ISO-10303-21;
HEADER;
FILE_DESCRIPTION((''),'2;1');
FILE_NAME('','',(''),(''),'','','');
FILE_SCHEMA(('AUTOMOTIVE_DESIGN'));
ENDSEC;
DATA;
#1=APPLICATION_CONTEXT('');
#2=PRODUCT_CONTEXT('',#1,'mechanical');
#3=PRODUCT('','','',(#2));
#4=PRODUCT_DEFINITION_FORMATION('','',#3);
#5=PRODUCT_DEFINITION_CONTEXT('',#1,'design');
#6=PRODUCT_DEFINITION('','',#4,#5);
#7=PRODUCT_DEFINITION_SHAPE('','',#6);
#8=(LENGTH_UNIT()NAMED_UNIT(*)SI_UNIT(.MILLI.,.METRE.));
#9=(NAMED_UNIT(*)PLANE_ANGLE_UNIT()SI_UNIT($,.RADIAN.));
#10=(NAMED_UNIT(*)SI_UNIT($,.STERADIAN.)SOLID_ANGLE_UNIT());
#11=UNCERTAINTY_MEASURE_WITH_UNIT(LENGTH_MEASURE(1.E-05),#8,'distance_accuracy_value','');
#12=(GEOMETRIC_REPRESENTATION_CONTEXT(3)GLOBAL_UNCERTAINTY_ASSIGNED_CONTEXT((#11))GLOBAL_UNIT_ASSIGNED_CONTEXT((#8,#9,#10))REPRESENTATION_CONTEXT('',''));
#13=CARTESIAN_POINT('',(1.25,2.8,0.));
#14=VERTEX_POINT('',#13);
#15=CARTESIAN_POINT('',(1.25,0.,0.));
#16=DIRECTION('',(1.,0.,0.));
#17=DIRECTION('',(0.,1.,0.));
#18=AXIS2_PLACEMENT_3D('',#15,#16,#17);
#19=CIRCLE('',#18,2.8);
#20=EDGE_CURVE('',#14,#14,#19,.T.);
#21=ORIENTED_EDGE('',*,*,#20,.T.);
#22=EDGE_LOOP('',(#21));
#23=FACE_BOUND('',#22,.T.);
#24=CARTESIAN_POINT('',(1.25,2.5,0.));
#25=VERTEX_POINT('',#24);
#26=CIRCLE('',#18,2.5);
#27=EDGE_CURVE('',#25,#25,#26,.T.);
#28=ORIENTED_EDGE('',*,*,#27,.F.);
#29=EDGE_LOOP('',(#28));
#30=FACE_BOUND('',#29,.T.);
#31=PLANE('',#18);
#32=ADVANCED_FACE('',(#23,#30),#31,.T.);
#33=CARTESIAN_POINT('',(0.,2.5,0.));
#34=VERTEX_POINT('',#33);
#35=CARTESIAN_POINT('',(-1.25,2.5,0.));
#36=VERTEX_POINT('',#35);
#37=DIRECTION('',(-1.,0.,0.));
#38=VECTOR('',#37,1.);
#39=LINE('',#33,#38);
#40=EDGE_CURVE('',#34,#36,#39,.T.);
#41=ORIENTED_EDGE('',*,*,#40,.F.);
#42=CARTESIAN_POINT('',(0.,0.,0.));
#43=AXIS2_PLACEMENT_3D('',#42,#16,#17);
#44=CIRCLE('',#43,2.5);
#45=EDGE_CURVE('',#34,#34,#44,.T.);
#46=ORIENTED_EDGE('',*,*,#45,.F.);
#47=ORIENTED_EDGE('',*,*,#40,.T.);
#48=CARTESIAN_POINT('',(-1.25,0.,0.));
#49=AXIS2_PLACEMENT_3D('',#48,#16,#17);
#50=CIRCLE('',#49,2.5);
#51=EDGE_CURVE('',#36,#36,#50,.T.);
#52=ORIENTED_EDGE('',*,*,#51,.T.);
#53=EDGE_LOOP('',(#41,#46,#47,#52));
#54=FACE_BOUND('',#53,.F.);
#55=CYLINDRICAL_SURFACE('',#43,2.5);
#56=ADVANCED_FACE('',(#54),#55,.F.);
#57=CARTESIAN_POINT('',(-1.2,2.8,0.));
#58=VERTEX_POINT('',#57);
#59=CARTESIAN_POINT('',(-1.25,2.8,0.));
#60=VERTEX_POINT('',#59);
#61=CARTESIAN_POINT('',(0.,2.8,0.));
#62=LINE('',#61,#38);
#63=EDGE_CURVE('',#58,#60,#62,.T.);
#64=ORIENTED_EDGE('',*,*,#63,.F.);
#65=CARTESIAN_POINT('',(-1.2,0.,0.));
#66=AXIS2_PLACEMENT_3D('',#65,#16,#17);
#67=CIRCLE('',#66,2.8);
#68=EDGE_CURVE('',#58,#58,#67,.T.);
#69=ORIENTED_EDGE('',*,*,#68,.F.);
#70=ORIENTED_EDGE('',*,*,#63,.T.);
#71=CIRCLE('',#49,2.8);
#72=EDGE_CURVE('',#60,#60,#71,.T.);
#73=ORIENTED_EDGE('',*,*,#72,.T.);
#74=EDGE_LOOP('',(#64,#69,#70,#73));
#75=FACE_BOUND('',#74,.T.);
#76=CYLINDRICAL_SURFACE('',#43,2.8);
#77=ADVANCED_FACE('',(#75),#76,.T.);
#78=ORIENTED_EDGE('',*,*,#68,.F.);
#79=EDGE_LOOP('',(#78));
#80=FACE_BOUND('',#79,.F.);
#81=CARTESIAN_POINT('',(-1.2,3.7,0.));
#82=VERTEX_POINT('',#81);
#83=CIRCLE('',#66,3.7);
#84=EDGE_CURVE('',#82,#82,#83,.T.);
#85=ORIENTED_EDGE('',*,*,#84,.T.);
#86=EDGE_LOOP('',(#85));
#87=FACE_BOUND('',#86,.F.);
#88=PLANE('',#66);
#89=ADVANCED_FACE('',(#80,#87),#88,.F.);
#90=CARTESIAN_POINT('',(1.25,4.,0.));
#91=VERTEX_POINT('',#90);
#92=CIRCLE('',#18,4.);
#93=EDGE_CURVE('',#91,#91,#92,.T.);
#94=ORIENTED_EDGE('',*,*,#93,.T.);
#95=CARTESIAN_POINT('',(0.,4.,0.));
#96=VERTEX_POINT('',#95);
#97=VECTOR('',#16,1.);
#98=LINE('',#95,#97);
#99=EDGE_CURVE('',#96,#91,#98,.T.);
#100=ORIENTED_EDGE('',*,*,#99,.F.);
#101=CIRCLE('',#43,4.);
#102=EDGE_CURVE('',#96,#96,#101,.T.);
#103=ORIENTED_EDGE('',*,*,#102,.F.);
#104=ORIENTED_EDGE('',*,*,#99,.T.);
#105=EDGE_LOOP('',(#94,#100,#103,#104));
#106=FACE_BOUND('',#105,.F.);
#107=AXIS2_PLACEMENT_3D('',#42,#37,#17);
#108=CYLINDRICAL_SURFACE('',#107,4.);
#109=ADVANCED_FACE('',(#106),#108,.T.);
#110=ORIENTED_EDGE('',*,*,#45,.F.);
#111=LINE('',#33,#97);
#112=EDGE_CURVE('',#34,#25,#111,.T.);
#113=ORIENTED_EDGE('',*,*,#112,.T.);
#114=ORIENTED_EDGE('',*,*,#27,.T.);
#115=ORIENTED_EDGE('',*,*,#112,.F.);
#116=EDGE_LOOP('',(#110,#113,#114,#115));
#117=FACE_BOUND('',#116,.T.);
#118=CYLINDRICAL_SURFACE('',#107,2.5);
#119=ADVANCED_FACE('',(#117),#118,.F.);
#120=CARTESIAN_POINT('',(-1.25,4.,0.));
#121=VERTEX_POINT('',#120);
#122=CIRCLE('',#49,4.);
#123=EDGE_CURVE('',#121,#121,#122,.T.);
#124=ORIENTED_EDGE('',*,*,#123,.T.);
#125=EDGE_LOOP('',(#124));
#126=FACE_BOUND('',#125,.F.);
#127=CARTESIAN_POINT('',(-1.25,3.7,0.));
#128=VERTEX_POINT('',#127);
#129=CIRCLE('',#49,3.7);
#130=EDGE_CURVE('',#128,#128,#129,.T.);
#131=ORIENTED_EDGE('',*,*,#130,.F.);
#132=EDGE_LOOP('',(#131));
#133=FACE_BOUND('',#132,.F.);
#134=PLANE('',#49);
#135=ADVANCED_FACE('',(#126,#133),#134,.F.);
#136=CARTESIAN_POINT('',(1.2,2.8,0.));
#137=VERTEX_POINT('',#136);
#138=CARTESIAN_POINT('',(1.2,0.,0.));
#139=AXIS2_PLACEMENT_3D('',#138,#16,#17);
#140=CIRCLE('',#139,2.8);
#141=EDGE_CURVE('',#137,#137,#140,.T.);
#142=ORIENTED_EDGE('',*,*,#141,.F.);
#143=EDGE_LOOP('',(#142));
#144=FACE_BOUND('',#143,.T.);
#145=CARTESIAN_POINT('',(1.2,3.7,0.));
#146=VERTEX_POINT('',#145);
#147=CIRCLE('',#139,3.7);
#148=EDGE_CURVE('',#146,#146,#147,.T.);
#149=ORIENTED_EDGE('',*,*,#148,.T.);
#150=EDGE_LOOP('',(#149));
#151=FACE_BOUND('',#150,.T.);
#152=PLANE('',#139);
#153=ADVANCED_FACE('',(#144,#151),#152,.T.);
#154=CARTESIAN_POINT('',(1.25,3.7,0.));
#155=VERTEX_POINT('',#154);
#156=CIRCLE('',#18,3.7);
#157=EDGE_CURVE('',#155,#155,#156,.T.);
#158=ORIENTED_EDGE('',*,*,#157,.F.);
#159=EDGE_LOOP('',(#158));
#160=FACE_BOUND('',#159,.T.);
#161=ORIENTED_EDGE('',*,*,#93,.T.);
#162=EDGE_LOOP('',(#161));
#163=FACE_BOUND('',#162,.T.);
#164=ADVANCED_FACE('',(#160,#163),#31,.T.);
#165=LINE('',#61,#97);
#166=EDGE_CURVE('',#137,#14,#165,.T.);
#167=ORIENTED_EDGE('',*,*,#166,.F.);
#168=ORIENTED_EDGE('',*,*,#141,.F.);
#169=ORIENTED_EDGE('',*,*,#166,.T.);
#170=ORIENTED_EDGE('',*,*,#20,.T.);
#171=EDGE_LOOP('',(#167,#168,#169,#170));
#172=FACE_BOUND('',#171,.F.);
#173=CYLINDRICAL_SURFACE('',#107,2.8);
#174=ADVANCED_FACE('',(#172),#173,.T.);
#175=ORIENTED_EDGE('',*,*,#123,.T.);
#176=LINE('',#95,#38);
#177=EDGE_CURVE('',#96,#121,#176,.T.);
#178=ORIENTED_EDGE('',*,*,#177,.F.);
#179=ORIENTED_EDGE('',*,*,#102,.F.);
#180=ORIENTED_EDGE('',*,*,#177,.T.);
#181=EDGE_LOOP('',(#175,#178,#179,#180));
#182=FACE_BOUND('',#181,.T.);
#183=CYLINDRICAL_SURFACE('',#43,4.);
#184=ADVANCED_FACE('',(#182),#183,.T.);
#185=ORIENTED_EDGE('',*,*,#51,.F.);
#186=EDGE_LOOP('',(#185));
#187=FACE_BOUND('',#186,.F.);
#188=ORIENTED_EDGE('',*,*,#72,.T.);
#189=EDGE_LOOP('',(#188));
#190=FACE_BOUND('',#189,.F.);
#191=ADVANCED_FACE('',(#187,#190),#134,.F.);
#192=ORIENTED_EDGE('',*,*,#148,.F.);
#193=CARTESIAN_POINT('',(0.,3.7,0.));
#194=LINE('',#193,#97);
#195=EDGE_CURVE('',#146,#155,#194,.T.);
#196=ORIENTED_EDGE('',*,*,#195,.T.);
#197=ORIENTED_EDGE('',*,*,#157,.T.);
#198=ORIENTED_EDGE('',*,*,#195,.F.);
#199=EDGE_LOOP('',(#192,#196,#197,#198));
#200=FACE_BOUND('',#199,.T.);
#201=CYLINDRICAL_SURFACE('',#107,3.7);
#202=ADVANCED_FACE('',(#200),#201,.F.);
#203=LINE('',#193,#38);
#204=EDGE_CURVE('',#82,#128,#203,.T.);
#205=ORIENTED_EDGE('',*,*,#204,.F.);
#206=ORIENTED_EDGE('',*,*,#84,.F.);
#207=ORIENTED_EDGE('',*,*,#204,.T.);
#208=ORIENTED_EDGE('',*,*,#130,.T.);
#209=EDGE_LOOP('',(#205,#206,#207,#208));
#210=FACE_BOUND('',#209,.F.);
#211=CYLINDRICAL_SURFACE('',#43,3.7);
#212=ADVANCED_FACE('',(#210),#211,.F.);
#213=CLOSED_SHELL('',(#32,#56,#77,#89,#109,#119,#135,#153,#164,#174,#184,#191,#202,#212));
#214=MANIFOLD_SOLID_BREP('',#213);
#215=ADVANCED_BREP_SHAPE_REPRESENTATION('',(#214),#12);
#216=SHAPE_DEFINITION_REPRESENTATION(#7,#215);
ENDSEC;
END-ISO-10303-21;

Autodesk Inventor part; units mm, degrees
ref_plane "YZ Plane" through (0, 0, 0) normal (1, 0, 0) x (0, 1, 0)
ref_plane "XZ Plane" through (0, 0, 0) normal (0, 1, 0) x (-1, 0, 0)
ref_plane "XY Plane" through (0, 0, 0) normal (0, 0, 1) x (1, 0, 0)
sketch "Эскиз1" plane through (0, 0, 0) normal (1, 0, 0) x (0, 1, 0)
  circle A0 centre (0, 0) radius 2.5
  circle A1 centre (0, 0) radius 4
  circle A2 centre (0, 0) radius 2.8
  circle A3 centre (0, 0) radius 3.7
  dimension "d0" = 5
  dimension "d1" = 8
  dimension "d2" = 0.3
  dimension "d3" = 0.3
extrude "Выдавливание1" add sketch "Эскиз1" along normal mid plane 2.5
extrude "Выдавливание2" add sketch "Эскиз1" along normal mid plane 2.4 contours A3
properties part number "roller_5_8_25"
